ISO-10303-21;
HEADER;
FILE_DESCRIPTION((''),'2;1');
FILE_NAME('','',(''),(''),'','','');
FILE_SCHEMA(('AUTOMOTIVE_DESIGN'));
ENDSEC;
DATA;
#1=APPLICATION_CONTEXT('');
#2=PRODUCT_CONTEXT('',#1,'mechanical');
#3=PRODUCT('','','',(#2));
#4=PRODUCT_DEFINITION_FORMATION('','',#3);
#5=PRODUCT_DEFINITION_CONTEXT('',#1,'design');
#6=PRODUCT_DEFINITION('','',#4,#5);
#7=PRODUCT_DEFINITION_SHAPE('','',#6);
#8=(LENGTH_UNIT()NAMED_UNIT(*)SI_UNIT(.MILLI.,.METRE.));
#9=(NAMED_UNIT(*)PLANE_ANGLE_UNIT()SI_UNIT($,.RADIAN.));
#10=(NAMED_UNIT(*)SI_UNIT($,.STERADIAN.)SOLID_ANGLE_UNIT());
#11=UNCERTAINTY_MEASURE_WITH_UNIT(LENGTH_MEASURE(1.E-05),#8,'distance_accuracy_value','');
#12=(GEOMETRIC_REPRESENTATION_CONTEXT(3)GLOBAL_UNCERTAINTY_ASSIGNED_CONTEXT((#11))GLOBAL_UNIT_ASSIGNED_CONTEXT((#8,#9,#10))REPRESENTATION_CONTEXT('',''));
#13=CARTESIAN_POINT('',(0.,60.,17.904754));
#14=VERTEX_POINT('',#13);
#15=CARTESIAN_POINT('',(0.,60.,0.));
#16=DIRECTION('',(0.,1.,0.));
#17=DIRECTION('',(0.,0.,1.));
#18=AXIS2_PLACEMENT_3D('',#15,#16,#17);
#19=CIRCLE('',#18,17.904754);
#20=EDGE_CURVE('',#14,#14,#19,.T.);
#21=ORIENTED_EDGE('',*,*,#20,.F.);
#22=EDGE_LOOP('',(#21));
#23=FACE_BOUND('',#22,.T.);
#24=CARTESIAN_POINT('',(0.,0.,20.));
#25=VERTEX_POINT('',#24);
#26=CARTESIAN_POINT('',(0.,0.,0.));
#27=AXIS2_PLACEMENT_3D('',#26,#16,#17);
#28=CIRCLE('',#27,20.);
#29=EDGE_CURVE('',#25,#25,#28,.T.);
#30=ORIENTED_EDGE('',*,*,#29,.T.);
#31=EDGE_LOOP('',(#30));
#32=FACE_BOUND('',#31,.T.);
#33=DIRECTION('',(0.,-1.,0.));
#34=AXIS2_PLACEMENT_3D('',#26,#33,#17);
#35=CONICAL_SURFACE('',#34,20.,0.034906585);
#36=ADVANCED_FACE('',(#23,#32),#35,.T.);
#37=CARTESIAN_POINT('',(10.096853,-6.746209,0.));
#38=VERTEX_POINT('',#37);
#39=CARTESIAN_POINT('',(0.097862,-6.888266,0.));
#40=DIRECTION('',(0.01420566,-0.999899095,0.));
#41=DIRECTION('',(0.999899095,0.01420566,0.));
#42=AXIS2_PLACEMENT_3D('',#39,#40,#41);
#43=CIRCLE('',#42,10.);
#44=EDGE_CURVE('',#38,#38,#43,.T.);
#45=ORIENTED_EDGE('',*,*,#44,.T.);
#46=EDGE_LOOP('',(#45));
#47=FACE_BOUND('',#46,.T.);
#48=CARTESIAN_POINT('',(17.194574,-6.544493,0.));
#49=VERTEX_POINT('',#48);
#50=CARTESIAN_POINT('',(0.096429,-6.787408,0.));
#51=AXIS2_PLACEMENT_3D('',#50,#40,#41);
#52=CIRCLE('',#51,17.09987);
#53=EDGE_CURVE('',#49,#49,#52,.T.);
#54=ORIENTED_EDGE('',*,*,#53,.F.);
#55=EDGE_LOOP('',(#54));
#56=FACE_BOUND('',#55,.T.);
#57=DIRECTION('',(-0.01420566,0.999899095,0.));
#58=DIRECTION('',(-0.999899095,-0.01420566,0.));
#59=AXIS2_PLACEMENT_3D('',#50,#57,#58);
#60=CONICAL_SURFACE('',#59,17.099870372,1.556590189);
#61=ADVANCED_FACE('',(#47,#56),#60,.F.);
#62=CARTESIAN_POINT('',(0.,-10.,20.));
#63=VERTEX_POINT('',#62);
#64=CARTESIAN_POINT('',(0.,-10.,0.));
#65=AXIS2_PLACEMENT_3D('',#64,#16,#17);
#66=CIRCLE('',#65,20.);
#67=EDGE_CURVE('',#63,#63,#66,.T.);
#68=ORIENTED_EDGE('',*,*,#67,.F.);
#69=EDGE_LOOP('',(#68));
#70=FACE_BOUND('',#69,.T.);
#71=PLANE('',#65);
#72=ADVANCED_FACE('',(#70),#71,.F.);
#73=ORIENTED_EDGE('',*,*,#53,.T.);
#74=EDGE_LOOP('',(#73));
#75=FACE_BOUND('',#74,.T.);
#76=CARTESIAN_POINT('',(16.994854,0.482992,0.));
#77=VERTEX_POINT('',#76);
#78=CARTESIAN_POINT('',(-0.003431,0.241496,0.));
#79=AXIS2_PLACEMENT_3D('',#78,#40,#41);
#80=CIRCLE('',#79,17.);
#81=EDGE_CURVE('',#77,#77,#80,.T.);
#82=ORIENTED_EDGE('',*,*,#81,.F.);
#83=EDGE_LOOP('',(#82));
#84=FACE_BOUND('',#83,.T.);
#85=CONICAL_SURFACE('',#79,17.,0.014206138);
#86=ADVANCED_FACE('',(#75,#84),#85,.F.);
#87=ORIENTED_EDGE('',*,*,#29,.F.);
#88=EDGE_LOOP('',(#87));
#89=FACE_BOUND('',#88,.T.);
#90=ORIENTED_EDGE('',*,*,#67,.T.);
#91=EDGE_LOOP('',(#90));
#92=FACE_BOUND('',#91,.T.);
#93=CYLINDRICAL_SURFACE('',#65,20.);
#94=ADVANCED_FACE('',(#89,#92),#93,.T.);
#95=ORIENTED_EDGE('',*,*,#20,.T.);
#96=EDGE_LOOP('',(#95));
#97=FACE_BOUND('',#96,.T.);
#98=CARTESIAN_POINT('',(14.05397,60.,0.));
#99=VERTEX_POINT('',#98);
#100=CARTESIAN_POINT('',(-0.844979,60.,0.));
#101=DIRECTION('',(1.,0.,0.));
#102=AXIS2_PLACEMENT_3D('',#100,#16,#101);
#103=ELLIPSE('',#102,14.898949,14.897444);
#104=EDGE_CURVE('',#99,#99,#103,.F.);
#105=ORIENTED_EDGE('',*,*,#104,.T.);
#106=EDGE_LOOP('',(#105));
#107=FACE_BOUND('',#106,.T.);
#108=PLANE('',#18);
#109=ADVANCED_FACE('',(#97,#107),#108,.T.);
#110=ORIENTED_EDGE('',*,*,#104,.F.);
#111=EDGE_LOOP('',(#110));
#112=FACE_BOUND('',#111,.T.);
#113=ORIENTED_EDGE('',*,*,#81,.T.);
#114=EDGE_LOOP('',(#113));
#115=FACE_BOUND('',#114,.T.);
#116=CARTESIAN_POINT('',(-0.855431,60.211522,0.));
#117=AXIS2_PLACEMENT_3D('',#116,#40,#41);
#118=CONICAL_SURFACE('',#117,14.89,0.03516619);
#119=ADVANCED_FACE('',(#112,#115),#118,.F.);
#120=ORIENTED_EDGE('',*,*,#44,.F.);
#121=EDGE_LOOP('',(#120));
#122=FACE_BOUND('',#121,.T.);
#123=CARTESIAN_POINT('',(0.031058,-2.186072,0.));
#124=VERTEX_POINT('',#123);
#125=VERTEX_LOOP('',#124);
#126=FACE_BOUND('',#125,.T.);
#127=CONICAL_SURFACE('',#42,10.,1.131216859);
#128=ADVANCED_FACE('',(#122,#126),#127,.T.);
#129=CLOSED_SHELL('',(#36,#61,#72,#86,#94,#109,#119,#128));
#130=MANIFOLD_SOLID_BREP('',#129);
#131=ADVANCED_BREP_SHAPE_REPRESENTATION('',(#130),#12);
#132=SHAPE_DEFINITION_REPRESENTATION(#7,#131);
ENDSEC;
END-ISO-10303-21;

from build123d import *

# Parameters (mm, degrees)
SKETCH_1_R                = 20
EXTRUDE_1_DEPTH           = 60
EXTRUDE_1_TAPER           = 2
EXTRUDE_1_OTHER_WAY_DEPTH = 10


with BuildPart() as part:
    # Эскиз1 → Бобышка-Вытянуть1 (new body)
    with BuildSketch(Plane(origin=(0, 0, 0), x_dir=(1, 0, 0), z_dir=(0, 1, 0))):
        with Locations(Location((0, 0, 0), (0, 0, 270))):
            Circle(SKETCH_1_R)
    extrude(amount=EXTRUDE_1_DEPTH, taper=EXTRUDE_1_TAPER)

    # Эскиз1 → Бобышка-Вытянуть1 other way (add)
    with BuildSketch(Plane(origin=(0, 0, 0), x_dir=(1, 0, 0), z_dir=(0, 1, 0))):
        with Locations(Location((0, 0, 0), (0, 0, 270))):
            Circle(SKETCH_1_R)
    extrude(amount=-EXTRUDE_1_OTHER_WAY_DEPTH)

    # Эскиз3 → Вырез-Повернуть1 (revolve, cut)
    with BuildSketch(Plane.XY, mode=Mode.PRIVATE) as cut_revolve_1_sk:
        Polygon((-15.743928258, 60), (-17.001715566, 0), (-17.001715566, -7.030322503), (-9.901128706, -7.030322503), (0.031057723, -2.186071506), (-0.852425624, 60), align=None)
    revolve(cut_revolve_1_sk.sketch.rotate(Axis((0.031057723, -2.186071506, 0), (-0.014205660156622533, 0.9998990945187992, 0)), 180), axis=Axis((0.031057723, -2.186071506, 0), (-0.014205660156622533, 0.9998990945187992, 0)), mode=Mode.SUBTRACT)


solid = part.part
